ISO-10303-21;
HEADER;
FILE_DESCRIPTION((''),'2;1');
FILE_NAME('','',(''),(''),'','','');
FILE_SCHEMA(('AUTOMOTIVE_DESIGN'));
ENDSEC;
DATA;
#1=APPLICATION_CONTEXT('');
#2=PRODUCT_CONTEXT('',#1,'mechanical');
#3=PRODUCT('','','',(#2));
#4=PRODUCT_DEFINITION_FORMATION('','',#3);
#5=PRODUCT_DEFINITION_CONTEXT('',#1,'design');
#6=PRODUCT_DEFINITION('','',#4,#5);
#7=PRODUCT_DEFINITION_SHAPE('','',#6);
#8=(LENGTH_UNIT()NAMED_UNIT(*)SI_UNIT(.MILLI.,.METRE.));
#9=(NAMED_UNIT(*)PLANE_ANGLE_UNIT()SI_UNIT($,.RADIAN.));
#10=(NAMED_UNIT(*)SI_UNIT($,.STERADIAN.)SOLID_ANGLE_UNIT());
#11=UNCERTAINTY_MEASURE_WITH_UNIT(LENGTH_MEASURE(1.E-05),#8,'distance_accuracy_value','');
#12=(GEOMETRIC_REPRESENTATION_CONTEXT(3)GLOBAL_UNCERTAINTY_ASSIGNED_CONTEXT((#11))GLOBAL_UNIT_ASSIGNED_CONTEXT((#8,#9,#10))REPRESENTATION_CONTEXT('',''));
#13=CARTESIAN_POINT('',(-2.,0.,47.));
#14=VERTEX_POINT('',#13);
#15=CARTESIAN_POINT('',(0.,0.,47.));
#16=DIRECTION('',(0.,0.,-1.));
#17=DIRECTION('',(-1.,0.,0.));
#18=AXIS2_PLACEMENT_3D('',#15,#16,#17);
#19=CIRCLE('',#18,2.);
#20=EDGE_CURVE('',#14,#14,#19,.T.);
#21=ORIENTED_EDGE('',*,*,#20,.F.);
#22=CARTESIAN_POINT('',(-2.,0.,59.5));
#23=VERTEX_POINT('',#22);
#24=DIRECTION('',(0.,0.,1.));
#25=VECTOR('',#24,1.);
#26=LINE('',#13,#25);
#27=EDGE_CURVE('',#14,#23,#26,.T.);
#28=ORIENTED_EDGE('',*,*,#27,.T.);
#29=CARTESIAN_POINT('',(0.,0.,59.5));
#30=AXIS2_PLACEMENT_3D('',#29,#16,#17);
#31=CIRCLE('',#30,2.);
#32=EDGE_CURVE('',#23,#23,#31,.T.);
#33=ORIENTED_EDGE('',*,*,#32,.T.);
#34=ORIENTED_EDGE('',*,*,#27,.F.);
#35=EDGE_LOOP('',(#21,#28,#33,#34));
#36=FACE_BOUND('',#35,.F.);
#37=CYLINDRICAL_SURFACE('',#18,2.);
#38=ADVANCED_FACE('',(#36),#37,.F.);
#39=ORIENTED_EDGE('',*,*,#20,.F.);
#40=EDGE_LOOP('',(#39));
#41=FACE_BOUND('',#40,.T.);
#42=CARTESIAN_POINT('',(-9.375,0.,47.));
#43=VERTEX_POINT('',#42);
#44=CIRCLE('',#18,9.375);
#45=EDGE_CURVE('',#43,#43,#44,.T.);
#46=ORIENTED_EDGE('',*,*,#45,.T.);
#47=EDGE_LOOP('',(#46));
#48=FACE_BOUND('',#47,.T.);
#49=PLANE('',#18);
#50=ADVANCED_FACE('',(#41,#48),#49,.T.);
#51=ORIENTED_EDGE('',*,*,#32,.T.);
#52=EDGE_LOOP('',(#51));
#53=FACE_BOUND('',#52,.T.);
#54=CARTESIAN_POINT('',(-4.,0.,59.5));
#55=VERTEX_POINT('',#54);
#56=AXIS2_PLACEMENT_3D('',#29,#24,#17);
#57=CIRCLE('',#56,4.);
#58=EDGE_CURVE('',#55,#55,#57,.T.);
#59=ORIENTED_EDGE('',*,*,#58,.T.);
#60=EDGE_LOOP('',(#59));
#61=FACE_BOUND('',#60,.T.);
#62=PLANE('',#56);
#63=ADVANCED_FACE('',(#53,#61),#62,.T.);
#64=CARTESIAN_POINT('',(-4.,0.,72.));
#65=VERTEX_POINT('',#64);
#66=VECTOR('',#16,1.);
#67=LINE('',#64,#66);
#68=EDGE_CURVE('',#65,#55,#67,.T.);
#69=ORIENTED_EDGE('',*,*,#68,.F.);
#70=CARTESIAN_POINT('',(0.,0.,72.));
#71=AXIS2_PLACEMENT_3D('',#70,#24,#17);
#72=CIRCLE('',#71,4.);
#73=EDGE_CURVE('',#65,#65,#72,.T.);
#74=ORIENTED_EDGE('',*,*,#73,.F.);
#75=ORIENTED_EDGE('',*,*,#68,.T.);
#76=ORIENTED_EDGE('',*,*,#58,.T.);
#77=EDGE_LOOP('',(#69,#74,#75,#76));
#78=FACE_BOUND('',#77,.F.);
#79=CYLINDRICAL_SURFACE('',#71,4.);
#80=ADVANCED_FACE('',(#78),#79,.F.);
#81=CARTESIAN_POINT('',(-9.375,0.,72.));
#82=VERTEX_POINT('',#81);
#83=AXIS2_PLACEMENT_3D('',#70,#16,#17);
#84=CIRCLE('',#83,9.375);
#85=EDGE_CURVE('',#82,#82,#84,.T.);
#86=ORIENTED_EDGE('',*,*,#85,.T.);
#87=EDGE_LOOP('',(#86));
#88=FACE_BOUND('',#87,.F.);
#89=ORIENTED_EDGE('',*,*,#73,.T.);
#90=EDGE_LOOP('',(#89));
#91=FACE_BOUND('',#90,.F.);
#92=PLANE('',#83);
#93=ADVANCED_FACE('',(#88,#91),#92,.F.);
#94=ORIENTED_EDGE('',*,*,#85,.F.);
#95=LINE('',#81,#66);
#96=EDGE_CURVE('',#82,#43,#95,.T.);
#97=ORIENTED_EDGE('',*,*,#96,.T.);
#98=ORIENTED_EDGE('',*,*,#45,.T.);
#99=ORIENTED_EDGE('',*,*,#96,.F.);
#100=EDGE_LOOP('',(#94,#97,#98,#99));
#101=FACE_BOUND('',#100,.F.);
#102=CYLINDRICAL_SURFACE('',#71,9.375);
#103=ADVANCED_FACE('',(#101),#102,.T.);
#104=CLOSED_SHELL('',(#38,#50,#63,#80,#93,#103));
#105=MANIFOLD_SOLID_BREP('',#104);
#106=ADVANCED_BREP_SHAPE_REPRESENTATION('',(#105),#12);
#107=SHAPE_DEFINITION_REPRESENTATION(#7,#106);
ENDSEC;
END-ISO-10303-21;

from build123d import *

# Parameters (mm, degrees)
SKETCH_R             = 9.375
PAD_DEPTH            = 25
SKETCH001_R          = 2
POCKET_DEPTH         = 12.5
SKETCH002_R          = 4
POCKET001_DEPTH      = 12.5
BODY_PLACEMENT_ANGLE = 180


with BuildPart() as part:
    # Sketch → Pad (new body)
    with BuildSketch(Plane.XY):
        Circle(SKETCH_R)
    extrude(amount=PAD_DEPTH)

    # Sketch001 (on Face3 of Pad) → Pocket (cut)
    with BuildSketch(Plane.XY.offset(25)):
        Circle(SKETCH001_R)
    extrude(amount=-POCKET_DEPTH, mode=Mode.SUBTRACT)

    # Sketch002 (on Face2 of Pocket) → Pocket001 (cut)
    with BuildSketch(Plane(origin=(0, 0, 0), x_dir=(1, 0, 0), z_dir=(0, 0, -1))):
        Circle(SKETCH002_R)
    extrude(amount=-POCKET001_DEPTH, mode=Mode.SUBTRACT)


with BuildPart() as part_1:
    # Body placement: moved
    add(part.part.moved(Location((0, 0, 72))).rotate(Axis((0, 0, 72), (0, 1, 0)), BODY_PLACEMENT_ANGLE))


solid = part_1.part
